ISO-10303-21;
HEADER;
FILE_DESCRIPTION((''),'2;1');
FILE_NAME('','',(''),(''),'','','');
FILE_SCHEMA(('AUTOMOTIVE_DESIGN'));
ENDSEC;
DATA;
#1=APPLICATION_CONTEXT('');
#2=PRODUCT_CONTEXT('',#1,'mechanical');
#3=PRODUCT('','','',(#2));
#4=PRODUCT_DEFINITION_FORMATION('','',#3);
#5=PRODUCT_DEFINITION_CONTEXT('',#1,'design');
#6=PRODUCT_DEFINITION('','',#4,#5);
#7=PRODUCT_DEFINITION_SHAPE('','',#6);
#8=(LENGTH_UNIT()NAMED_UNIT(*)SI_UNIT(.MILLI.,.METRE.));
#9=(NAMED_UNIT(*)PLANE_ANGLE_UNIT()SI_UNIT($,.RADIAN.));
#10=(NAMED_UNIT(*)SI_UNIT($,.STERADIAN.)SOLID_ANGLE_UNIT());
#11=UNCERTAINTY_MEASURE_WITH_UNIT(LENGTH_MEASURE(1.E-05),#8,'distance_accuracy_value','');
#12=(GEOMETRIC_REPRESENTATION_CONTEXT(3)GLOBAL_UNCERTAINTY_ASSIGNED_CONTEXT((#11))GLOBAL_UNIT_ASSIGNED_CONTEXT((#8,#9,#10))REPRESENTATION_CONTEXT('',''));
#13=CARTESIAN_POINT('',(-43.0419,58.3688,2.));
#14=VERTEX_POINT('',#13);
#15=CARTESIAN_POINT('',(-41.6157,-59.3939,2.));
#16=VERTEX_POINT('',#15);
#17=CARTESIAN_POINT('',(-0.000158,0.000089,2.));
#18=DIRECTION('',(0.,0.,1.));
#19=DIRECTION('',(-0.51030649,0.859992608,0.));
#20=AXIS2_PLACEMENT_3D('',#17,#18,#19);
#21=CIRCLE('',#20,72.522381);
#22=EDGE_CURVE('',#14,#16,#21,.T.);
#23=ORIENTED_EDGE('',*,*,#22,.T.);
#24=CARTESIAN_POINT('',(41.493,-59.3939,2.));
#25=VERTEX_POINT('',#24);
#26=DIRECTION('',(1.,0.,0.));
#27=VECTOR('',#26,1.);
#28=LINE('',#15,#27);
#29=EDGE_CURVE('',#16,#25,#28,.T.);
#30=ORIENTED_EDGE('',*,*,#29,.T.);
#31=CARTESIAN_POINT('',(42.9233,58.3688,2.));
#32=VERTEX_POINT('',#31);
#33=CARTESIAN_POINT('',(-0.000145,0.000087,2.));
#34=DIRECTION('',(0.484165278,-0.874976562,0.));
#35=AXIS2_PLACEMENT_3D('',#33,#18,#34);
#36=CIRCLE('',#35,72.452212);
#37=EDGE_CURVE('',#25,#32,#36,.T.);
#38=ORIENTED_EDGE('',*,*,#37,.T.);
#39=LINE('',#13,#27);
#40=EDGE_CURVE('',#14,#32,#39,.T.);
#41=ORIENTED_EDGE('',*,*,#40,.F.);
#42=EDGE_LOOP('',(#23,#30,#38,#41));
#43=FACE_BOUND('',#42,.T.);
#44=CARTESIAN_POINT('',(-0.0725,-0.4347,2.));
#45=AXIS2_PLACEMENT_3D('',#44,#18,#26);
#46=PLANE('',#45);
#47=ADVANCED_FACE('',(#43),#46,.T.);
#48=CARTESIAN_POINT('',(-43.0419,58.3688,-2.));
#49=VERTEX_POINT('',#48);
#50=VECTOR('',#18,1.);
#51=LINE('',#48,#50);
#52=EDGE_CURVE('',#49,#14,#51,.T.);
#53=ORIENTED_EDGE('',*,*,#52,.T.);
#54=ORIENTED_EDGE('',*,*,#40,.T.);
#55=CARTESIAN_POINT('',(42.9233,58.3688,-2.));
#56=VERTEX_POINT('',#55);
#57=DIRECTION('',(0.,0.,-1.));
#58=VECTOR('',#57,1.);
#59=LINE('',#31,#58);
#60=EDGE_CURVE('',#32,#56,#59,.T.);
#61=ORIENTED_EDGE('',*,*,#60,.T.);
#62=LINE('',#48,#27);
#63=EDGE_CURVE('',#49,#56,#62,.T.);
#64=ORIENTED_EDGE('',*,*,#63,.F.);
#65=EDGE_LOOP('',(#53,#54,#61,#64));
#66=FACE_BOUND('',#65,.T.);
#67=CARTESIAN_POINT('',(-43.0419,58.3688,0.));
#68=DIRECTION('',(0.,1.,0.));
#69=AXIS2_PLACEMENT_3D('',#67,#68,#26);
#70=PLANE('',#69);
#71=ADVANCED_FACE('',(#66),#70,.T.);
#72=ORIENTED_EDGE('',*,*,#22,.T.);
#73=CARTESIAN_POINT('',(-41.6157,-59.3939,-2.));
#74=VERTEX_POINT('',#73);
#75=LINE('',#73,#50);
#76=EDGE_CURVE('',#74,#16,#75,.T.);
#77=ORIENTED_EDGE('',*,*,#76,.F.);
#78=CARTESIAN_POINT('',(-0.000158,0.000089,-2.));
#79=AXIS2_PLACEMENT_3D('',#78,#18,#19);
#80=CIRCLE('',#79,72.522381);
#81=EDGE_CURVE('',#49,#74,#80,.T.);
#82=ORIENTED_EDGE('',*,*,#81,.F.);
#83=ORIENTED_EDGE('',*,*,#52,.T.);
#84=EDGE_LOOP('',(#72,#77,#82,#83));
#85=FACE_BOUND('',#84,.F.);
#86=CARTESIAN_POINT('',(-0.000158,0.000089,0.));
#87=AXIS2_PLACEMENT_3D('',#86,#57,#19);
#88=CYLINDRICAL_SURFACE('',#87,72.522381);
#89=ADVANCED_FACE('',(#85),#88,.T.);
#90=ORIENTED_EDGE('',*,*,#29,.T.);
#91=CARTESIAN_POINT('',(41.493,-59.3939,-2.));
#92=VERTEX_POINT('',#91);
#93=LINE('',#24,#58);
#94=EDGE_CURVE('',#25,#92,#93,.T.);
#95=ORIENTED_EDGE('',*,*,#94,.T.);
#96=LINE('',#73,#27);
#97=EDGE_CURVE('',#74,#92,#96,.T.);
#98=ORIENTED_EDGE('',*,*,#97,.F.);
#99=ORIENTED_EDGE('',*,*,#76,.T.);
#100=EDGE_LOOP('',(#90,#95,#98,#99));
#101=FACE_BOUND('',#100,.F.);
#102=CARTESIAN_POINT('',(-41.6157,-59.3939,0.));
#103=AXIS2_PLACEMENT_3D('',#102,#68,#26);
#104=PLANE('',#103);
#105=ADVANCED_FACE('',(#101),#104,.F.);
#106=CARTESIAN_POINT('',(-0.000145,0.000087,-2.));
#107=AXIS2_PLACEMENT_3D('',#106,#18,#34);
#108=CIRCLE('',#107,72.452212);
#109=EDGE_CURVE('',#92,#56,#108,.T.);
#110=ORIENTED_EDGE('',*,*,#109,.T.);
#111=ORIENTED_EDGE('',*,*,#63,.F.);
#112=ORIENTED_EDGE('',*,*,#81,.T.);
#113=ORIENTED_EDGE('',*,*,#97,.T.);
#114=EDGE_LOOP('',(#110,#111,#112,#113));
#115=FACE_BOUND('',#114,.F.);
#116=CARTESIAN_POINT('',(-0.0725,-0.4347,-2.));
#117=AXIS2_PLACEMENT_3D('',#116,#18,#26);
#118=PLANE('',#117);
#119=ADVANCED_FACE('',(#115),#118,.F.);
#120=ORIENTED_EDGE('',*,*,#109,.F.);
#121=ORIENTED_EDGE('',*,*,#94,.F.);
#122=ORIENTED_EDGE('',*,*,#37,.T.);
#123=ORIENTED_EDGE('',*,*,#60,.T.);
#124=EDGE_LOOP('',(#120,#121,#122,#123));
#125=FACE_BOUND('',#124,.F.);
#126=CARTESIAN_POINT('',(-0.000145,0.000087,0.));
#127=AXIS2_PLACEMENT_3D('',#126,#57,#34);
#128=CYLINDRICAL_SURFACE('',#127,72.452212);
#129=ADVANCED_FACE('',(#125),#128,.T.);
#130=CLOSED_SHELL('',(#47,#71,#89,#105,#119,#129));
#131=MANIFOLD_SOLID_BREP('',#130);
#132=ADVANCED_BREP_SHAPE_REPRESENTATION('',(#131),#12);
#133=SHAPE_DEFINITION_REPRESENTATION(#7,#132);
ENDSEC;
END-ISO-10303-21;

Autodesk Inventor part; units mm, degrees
ref_plane "YZ Plane" through (0, 0, 0) normal (1, 0, 0) x (0, 1, 0)
ref_plane "XZ Plane" through (0, 0, 0) normal (0, 1, 0) x (-1, 0, 0)
ref_plane "XY Plane" through (0, 0, 0) normal (0, 0, 1) x (1, 0, 0)
ref_plane "РабПлоскость1" through (-0.0725, -0.4347, 0) normal (0, 0, 1) x (1, 0, 0)
sketch "Эскиз1" plane through (-0.0725, -0.4347, 0) normal (0, 0, 1) x (1, 0, 0)
  line L0 (-1.9997, -72.1072) -> (-1.9997, 72.1074) construction
  line L1 (-1.9997, 72.1074) -> (0, 72.1074) construction
  line L2 (2.0003, 72.1074) -> (2.0003, -72.1072) construction
  line L3 (2.0003, -72.1072) -> (-1.9997, -72.1072) construction
  line L4 (48.0003, 58.8035) -> (-47.9997, 58.8035) construction
  line L5 (-47.9997, 58.8035) -> (-47.9997, 62.8035) construction
  line L6 (-47.9997, 62.8035) -> (48.0003, 62.8035) construction
  line L7 (48.0003, 62.8035) -> (48.0003, 58.8035) construction
  line L8 (-47.9997, -58.9592) -> (48.0003, -58.9592) construction
  line L9 (48.0003, -58.9592) -> (48.0003, -62.9592) construction
  line L10 (48.0003, -62.9592) -> (-47.9997, -62.9592) construction
  line L11 (-47.9997, -62.9592) -> (-47.9997, -58.9592) construction
  line L12 (-42.9694, 58.8035) -> (42.9958, 58.8035)
  line L13 (-41.5432, -58.9592) -> (41.5655, -58.9592)
  arc A0 (2.0003, 72.0815) -> (0, 72.1074) centre (0.0725, 0.4347) ccw
  arc A1 (-36.9363, 62.8035) -> (-35.1512, -62.9592) centre (0.0725, 0.4347) ccw
  arc A2 (-1.9997, -72.0756) -> (2.0003, -72.0796) centre (0.0725, 0.4347) ccw
  arc A3 (35.1512, -62.9592) -> (36.9433, 62.8035) centre (0.0725, 0.4347) ccw
extrude "Выдавливание1" add sketch "Эскиз1" along normal mid plane 4
properties part number "талия"
